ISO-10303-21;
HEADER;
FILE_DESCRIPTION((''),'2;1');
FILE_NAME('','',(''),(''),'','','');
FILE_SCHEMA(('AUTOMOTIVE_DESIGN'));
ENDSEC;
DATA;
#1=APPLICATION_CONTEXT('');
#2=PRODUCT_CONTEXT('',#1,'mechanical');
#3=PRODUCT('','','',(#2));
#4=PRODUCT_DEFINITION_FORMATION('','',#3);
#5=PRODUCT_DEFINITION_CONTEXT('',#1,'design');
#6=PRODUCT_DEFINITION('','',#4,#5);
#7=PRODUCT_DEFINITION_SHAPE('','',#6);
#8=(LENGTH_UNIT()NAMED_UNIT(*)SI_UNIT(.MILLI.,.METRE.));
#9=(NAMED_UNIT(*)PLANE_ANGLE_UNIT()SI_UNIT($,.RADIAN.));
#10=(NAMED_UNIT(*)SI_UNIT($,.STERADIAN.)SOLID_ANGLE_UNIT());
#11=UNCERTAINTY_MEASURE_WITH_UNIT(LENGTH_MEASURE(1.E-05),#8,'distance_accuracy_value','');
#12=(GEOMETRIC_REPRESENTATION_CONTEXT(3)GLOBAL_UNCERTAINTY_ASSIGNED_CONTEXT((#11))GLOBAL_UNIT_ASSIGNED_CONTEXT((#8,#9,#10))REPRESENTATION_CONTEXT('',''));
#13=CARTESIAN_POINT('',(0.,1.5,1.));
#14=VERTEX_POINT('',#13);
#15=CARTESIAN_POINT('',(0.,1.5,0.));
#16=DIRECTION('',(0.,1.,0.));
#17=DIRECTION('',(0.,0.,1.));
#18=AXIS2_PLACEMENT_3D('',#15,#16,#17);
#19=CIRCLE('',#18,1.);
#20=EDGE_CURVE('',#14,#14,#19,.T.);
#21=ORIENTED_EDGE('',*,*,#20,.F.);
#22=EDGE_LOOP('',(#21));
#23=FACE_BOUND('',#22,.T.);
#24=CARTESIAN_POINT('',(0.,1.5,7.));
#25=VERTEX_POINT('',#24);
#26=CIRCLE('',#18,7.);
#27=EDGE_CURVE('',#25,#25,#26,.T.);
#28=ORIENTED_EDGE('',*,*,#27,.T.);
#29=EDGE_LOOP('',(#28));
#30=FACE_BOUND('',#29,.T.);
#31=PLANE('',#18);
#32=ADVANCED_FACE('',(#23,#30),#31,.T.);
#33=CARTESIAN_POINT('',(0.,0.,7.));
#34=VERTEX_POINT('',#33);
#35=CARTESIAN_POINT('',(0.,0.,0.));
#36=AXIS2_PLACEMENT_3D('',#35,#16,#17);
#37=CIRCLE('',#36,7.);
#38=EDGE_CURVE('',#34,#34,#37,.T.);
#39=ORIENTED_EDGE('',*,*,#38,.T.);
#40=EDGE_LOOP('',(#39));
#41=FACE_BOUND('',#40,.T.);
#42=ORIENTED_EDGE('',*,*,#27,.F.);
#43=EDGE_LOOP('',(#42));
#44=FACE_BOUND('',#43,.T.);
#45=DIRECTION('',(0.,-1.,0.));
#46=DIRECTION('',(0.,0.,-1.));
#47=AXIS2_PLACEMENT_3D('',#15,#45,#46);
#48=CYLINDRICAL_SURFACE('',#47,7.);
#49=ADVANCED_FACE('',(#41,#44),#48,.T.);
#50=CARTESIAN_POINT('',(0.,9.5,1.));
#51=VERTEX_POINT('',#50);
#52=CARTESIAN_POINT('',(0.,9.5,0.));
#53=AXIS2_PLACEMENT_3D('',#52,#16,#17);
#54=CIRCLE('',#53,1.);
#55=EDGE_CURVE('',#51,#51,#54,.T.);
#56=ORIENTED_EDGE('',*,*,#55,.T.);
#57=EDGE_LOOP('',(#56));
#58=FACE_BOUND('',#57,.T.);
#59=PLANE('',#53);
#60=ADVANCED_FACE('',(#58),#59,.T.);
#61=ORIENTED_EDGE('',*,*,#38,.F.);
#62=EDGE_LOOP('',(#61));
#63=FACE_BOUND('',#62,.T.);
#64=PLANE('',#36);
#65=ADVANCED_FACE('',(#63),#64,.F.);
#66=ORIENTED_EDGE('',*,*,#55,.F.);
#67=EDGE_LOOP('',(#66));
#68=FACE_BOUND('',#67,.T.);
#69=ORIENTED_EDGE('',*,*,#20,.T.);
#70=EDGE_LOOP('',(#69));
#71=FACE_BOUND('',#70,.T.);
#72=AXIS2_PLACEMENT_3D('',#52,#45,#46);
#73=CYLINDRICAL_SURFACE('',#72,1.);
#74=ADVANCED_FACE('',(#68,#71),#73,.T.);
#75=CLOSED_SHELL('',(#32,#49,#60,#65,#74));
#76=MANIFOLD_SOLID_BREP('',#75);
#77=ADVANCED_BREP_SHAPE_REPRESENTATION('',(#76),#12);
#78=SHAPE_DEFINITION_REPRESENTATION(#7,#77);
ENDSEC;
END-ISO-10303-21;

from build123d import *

# Parameters (mm, degrees)
SKETCH_1_R      = 7
EXTRUDE_1_DEPTH = 1.5
SKETCH_2_R      = 1
EXTRUDE_2_DEPTH = 8


with BuildPart() as part:
    # 草图1 → 凸台-拉伸1 (new body)
    with BuildSketch(Plane(origin=(0, 0, 0), x_dir=(1, 0, 0), z_dir=(0, 1, 0))):
        with Locations(Location((0, 0, 0), (0, 0, 270))):
            Circle(SKETCH_1_R)
    extrude(amount=EXTRUDE_1_DEPTH)

    # 草图2 → 凸台-拉伸2 (add)
    with BuildSketch(Plane(origin=(0, 1.5, 0), x_dir=(1, 0, 0), z_dir=(0, 1, 0))):
        with Locations(Location((0, 0, 0), (0, 0, 270))):
            Circle(SKETCH_2_R)
    extrude(amount=EXTRUDE_2_DEPTH)


solid = part.part
